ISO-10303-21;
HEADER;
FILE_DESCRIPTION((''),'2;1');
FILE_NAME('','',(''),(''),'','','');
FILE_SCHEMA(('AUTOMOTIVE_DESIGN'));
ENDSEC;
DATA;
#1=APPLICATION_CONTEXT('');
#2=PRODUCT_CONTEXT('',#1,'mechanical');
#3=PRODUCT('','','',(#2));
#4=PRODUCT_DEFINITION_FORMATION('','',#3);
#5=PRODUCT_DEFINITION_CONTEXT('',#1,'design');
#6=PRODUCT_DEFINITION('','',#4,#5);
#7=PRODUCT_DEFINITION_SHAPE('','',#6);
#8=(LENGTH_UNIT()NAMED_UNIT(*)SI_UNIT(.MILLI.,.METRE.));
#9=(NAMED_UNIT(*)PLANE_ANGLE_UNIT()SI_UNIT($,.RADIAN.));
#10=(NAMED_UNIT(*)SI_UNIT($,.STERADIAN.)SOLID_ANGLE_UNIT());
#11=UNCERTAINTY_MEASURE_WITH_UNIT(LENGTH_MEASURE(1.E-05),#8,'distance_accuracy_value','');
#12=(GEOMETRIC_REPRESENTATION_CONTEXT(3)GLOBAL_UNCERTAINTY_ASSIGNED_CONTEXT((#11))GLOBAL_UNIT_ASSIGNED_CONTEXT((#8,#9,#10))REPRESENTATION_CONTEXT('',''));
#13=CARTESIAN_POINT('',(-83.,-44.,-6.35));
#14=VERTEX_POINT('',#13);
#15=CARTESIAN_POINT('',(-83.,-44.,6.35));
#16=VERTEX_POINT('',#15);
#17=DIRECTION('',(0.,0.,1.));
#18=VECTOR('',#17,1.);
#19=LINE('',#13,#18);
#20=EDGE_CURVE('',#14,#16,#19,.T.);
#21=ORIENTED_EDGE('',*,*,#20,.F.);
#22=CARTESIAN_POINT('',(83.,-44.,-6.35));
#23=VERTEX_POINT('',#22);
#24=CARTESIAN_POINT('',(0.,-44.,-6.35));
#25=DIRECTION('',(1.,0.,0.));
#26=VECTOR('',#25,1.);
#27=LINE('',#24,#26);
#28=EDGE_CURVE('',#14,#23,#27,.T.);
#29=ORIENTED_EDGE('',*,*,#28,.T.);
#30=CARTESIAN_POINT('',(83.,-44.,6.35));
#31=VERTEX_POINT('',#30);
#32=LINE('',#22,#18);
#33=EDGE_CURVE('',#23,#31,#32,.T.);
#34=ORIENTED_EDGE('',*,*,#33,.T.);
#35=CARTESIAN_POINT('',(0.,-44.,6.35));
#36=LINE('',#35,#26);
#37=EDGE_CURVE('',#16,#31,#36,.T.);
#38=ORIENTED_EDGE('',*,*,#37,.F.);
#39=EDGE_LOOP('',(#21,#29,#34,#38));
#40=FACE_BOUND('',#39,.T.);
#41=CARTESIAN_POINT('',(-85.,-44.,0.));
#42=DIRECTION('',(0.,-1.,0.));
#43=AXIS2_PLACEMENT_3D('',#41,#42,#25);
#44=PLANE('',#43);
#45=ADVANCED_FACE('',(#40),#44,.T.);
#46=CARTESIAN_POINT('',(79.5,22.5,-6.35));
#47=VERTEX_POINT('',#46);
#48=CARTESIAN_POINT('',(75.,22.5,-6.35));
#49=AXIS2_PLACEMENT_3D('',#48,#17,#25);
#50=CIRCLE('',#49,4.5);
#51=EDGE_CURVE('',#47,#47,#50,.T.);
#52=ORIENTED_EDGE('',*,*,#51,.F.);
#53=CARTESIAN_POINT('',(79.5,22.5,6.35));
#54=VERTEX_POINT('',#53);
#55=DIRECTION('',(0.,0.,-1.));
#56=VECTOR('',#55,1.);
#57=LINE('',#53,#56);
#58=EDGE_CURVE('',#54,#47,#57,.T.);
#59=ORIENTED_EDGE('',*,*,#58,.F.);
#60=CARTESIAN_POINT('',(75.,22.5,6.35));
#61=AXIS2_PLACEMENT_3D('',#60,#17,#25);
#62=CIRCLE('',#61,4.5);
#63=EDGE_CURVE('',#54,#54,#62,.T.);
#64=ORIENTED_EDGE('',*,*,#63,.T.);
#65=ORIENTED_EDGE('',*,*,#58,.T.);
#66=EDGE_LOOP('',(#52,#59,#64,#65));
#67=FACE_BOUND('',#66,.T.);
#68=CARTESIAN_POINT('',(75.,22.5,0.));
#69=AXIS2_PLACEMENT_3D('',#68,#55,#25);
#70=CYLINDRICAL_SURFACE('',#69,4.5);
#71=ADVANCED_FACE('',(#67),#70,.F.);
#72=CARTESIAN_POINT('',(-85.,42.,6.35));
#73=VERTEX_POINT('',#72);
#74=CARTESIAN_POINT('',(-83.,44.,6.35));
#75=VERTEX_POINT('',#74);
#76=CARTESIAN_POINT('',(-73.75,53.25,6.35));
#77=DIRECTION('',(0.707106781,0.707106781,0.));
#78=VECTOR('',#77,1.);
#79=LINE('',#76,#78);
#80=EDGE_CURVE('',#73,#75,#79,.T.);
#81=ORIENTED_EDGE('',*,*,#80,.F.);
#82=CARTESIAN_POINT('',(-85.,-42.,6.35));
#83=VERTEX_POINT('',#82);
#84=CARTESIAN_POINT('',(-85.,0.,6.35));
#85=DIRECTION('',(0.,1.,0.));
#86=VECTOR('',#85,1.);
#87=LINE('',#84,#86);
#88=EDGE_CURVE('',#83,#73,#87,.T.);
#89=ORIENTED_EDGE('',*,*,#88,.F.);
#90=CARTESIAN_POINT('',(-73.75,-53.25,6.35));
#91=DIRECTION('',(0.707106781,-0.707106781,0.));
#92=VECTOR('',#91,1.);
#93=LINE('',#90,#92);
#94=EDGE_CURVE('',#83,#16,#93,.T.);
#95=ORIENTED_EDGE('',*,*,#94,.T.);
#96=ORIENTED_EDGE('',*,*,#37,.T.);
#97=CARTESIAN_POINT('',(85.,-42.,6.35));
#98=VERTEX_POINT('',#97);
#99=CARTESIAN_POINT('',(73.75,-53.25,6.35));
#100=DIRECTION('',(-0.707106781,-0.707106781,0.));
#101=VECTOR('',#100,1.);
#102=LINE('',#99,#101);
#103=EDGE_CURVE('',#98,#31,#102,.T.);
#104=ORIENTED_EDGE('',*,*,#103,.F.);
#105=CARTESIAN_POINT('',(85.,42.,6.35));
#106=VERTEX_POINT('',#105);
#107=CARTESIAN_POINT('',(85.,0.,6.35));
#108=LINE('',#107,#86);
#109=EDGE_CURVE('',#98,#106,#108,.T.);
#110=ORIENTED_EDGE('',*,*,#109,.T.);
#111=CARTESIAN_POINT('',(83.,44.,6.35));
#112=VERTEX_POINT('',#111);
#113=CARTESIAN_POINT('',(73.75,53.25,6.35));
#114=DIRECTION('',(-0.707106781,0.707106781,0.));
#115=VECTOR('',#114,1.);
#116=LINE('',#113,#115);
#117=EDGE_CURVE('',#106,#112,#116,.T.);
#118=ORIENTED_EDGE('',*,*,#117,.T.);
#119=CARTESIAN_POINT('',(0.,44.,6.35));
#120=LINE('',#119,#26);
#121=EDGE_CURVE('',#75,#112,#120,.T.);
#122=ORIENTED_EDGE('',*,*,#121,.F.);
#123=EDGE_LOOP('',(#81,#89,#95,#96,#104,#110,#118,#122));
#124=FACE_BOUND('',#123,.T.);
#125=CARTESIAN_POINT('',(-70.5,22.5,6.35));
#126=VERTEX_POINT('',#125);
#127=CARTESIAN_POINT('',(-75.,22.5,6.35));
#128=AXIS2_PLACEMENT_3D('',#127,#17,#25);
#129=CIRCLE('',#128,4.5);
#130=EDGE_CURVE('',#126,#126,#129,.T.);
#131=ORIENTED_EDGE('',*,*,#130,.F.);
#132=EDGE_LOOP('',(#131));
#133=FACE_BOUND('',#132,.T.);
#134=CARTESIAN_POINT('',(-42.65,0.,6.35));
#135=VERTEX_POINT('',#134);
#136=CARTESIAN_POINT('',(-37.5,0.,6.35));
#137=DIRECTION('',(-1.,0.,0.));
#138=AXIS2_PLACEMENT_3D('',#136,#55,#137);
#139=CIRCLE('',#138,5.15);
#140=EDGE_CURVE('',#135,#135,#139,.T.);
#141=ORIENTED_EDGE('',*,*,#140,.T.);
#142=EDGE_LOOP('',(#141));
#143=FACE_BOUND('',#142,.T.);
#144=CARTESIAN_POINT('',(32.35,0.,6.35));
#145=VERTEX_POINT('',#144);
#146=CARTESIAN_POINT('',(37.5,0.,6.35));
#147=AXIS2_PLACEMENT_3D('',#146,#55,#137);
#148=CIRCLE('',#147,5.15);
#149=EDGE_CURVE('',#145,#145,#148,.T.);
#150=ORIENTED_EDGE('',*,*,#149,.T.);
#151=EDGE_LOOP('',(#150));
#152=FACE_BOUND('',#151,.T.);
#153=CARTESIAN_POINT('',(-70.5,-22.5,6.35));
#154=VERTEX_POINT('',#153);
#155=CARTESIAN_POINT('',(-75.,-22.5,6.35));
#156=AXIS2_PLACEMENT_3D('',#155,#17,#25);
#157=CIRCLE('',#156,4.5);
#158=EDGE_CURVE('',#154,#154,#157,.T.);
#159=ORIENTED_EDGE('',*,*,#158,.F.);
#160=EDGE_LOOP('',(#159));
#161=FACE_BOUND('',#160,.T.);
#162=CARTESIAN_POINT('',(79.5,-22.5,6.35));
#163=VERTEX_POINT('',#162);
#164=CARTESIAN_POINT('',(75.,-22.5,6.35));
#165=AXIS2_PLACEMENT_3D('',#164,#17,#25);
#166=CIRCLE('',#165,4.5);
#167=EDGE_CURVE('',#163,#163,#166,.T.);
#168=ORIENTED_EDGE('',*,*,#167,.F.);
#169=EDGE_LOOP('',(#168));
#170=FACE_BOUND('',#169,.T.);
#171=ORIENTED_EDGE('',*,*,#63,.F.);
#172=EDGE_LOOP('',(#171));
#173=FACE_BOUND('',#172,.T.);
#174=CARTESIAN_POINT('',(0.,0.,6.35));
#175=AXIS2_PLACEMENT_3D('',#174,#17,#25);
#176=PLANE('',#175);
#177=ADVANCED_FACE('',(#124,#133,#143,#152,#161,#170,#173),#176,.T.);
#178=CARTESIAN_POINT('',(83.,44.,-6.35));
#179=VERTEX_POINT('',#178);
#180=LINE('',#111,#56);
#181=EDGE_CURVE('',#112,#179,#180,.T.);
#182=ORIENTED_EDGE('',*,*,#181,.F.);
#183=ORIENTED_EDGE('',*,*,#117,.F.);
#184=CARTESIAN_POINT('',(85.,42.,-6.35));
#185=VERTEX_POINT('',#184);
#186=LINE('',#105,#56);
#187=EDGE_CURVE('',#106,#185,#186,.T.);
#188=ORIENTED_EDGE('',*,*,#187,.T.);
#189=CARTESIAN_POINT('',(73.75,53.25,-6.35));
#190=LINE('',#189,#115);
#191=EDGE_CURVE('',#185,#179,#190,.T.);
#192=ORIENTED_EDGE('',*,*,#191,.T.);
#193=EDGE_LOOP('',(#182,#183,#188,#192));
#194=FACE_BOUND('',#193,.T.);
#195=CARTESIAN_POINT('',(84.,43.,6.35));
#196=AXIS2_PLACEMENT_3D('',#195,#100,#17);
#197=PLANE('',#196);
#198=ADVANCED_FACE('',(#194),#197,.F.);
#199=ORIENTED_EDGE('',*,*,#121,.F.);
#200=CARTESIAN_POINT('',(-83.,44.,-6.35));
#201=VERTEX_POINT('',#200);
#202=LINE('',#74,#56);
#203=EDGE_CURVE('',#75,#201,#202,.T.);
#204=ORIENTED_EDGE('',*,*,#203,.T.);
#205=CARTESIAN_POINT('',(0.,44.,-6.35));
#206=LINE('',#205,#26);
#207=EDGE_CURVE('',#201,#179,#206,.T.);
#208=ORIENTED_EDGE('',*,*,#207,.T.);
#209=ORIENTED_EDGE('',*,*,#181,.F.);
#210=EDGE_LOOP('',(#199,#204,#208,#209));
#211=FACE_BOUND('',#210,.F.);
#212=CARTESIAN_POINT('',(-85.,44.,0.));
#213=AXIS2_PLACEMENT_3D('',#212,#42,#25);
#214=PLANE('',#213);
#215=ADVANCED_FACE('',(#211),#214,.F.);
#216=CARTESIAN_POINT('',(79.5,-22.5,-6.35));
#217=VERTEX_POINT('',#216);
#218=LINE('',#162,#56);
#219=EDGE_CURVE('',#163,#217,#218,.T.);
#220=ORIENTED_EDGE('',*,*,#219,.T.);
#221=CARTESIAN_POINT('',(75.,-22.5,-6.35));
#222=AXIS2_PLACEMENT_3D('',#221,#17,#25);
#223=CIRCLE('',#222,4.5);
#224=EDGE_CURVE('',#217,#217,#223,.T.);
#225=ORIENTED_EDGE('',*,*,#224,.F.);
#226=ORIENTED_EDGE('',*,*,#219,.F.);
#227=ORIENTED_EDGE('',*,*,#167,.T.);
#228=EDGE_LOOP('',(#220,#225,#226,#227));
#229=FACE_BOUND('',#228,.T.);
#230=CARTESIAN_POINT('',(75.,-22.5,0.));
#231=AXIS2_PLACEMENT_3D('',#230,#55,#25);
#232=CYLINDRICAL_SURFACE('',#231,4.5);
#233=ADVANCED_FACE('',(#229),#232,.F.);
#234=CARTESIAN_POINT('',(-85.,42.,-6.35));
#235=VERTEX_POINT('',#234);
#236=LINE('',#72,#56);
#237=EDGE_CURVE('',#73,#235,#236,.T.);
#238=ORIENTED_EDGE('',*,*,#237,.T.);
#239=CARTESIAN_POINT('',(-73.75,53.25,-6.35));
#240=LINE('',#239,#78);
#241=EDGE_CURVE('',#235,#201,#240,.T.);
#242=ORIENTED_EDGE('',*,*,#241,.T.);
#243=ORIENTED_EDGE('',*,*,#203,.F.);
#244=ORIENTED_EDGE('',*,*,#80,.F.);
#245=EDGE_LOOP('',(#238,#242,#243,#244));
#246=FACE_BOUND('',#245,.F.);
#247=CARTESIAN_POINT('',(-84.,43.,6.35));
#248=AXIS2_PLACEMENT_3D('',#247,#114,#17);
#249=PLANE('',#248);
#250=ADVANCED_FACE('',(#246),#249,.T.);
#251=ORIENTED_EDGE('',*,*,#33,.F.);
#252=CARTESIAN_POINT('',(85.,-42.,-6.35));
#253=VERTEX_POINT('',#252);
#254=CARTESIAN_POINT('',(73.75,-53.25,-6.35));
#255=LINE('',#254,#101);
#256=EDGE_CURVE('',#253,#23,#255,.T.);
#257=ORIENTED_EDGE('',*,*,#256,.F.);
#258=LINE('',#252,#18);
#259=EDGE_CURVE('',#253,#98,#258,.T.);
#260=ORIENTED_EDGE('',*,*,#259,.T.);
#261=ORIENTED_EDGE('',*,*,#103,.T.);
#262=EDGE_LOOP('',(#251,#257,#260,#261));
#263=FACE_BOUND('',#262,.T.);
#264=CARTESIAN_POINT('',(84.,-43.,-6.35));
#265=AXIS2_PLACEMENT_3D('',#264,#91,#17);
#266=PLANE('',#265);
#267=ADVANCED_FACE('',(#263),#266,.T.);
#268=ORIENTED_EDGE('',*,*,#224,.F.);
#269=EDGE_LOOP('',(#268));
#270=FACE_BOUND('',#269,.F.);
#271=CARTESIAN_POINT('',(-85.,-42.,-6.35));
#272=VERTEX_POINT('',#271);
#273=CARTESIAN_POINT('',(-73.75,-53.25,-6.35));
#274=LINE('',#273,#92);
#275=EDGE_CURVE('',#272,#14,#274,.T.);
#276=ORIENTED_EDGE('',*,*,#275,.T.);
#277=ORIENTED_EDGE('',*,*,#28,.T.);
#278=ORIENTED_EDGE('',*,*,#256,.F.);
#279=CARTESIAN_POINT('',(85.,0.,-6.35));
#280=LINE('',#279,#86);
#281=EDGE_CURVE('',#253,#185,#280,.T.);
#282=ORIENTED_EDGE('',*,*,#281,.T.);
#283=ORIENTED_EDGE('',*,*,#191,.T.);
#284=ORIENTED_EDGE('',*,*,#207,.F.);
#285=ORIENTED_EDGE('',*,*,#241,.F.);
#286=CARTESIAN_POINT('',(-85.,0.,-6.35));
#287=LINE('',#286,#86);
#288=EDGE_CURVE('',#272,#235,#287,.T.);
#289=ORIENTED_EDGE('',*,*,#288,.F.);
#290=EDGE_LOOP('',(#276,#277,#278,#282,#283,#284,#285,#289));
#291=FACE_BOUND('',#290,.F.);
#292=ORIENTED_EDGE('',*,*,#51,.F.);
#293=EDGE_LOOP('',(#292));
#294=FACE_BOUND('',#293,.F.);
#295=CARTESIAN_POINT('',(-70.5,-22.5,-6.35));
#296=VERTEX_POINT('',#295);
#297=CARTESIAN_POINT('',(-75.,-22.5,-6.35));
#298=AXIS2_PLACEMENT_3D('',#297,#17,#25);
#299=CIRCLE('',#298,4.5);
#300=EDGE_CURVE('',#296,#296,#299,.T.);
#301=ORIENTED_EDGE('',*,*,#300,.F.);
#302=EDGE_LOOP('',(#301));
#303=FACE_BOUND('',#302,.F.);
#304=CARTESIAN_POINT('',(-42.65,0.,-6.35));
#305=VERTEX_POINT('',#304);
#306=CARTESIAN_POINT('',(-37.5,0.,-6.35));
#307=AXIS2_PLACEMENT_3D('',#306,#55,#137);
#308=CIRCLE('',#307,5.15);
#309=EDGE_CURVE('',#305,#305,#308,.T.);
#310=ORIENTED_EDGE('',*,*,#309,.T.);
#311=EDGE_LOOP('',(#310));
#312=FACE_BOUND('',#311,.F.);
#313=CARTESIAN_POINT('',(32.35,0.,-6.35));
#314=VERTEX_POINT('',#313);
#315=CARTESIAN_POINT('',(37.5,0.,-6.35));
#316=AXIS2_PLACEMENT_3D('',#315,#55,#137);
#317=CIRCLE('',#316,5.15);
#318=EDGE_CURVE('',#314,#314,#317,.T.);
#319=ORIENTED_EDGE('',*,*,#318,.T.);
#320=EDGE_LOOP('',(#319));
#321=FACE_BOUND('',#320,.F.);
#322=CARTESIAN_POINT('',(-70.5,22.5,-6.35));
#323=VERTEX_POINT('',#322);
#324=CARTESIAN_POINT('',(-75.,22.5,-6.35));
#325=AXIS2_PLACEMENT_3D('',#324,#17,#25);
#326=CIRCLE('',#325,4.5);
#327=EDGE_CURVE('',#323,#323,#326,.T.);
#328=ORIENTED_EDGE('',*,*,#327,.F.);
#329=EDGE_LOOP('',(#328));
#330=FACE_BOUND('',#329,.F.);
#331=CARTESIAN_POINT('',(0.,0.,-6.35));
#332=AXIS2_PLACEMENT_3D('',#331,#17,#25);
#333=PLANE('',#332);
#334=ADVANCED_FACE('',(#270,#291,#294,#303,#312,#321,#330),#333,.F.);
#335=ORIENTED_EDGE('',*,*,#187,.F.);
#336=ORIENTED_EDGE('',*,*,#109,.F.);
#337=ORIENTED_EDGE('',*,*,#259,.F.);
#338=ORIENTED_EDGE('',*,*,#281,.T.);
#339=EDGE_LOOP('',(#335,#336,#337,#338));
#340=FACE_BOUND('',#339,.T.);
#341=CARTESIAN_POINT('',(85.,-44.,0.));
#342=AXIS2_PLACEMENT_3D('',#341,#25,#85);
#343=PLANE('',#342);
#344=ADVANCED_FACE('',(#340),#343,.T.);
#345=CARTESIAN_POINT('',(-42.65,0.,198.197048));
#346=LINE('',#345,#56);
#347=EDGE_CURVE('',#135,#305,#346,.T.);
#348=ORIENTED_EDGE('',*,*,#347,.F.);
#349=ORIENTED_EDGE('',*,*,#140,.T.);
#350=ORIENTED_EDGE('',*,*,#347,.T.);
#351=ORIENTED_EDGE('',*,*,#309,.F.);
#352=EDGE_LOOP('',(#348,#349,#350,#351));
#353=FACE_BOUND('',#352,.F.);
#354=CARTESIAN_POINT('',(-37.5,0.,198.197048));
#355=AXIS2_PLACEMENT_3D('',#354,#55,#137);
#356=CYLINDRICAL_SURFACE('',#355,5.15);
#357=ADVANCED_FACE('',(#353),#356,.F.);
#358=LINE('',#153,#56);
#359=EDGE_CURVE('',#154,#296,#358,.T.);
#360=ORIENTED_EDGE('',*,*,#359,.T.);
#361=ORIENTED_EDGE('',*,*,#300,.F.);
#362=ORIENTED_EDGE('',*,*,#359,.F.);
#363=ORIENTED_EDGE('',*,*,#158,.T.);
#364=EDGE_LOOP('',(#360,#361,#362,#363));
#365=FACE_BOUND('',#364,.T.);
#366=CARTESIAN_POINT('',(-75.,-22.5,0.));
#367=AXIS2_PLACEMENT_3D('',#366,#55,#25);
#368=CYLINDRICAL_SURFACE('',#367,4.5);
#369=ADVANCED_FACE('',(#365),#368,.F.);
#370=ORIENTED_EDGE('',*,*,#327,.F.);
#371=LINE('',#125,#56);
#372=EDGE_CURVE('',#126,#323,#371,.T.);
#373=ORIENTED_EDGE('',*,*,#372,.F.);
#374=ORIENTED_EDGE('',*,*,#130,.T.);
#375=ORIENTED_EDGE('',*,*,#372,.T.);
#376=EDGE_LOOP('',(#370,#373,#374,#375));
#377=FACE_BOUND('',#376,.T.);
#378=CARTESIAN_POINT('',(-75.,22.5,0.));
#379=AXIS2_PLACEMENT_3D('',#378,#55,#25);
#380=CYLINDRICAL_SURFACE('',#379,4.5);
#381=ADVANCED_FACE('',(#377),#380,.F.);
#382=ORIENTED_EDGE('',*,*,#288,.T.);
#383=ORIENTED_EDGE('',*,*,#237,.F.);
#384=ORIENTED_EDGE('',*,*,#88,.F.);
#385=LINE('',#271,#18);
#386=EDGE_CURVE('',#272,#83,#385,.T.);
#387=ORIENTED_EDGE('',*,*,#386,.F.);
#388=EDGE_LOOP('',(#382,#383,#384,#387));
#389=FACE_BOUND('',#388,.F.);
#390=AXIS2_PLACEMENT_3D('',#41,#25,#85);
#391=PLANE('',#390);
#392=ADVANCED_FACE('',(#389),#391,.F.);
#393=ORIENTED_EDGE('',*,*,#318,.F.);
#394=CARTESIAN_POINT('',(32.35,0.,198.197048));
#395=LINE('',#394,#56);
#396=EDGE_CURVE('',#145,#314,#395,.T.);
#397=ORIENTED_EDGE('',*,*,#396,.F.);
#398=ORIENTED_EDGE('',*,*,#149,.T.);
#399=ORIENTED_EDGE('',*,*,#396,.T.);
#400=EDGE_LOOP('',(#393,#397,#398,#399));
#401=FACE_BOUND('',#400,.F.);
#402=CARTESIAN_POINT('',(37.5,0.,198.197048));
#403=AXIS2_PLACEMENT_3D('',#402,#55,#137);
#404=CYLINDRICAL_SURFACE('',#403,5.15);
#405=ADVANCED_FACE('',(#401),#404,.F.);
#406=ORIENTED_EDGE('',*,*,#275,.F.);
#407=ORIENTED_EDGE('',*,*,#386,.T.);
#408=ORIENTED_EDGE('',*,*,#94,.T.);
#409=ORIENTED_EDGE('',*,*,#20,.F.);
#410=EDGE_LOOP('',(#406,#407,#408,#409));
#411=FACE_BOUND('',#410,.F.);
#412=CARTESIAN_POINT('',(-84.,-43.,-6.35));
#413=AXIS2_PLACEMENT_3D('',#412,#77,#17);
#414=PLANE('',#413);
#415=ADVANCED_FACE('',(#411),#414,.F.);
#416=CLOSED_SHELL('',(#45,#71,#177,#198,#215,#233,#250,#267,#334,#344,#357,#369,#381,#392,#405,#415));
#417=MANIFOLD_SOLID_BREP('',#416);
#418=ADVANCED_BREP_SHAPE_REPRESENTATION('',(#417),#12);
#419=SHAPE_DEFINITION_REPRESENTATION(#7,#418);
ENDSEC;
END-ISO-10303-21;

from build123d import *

# Parameters (mm, degrees)
F0_W     = 170
F0_H     = 88
F0_R     = 4.5
F1_DEPTH = 6.35
F2_SIZE  = 2
F4_D     = 10.3


with BuildPart() as f1:
    # F0 (on Top) → F1 (new body, symmetric)
    with BuildSketch(Plane.XY):
        Rectangle(F0_W, F0_H)
        with Locations((-75, -22.5)):
            Circle(F0_R, mode=Mode.SUBTRACT)
        with Locations((75, -22.5)):
            Circle(F0_R, mode=Mode.SUBTRACT)
        with Locations((-75, 22.5)):
            Circle(F0_R, mode=Mode.SUBTRACT)
        with Locations((75, 22.5)):
            Circle(F0_R, mode=Mode.SUBTRACT)
    extrude(amount=F1_DEPTH, both=True)

    # F2
    f2_edges = [f1.edges().sort_by_distance(p)[0] for p in [
        (85, 44, 0),
        (85, -44, 0),
        (-85, 44, 0),
        (-85, -44, 0),
    ]]
    chamfer(f2_edges, length=F2_SIZE)

    # F4 (through all)
    with Locations(Plane.XY.offset(6.35)):
        with Locations((-37.5, 0), (37.5, 0)):
            Hole(F4_D / 2)


solid = f1.part
